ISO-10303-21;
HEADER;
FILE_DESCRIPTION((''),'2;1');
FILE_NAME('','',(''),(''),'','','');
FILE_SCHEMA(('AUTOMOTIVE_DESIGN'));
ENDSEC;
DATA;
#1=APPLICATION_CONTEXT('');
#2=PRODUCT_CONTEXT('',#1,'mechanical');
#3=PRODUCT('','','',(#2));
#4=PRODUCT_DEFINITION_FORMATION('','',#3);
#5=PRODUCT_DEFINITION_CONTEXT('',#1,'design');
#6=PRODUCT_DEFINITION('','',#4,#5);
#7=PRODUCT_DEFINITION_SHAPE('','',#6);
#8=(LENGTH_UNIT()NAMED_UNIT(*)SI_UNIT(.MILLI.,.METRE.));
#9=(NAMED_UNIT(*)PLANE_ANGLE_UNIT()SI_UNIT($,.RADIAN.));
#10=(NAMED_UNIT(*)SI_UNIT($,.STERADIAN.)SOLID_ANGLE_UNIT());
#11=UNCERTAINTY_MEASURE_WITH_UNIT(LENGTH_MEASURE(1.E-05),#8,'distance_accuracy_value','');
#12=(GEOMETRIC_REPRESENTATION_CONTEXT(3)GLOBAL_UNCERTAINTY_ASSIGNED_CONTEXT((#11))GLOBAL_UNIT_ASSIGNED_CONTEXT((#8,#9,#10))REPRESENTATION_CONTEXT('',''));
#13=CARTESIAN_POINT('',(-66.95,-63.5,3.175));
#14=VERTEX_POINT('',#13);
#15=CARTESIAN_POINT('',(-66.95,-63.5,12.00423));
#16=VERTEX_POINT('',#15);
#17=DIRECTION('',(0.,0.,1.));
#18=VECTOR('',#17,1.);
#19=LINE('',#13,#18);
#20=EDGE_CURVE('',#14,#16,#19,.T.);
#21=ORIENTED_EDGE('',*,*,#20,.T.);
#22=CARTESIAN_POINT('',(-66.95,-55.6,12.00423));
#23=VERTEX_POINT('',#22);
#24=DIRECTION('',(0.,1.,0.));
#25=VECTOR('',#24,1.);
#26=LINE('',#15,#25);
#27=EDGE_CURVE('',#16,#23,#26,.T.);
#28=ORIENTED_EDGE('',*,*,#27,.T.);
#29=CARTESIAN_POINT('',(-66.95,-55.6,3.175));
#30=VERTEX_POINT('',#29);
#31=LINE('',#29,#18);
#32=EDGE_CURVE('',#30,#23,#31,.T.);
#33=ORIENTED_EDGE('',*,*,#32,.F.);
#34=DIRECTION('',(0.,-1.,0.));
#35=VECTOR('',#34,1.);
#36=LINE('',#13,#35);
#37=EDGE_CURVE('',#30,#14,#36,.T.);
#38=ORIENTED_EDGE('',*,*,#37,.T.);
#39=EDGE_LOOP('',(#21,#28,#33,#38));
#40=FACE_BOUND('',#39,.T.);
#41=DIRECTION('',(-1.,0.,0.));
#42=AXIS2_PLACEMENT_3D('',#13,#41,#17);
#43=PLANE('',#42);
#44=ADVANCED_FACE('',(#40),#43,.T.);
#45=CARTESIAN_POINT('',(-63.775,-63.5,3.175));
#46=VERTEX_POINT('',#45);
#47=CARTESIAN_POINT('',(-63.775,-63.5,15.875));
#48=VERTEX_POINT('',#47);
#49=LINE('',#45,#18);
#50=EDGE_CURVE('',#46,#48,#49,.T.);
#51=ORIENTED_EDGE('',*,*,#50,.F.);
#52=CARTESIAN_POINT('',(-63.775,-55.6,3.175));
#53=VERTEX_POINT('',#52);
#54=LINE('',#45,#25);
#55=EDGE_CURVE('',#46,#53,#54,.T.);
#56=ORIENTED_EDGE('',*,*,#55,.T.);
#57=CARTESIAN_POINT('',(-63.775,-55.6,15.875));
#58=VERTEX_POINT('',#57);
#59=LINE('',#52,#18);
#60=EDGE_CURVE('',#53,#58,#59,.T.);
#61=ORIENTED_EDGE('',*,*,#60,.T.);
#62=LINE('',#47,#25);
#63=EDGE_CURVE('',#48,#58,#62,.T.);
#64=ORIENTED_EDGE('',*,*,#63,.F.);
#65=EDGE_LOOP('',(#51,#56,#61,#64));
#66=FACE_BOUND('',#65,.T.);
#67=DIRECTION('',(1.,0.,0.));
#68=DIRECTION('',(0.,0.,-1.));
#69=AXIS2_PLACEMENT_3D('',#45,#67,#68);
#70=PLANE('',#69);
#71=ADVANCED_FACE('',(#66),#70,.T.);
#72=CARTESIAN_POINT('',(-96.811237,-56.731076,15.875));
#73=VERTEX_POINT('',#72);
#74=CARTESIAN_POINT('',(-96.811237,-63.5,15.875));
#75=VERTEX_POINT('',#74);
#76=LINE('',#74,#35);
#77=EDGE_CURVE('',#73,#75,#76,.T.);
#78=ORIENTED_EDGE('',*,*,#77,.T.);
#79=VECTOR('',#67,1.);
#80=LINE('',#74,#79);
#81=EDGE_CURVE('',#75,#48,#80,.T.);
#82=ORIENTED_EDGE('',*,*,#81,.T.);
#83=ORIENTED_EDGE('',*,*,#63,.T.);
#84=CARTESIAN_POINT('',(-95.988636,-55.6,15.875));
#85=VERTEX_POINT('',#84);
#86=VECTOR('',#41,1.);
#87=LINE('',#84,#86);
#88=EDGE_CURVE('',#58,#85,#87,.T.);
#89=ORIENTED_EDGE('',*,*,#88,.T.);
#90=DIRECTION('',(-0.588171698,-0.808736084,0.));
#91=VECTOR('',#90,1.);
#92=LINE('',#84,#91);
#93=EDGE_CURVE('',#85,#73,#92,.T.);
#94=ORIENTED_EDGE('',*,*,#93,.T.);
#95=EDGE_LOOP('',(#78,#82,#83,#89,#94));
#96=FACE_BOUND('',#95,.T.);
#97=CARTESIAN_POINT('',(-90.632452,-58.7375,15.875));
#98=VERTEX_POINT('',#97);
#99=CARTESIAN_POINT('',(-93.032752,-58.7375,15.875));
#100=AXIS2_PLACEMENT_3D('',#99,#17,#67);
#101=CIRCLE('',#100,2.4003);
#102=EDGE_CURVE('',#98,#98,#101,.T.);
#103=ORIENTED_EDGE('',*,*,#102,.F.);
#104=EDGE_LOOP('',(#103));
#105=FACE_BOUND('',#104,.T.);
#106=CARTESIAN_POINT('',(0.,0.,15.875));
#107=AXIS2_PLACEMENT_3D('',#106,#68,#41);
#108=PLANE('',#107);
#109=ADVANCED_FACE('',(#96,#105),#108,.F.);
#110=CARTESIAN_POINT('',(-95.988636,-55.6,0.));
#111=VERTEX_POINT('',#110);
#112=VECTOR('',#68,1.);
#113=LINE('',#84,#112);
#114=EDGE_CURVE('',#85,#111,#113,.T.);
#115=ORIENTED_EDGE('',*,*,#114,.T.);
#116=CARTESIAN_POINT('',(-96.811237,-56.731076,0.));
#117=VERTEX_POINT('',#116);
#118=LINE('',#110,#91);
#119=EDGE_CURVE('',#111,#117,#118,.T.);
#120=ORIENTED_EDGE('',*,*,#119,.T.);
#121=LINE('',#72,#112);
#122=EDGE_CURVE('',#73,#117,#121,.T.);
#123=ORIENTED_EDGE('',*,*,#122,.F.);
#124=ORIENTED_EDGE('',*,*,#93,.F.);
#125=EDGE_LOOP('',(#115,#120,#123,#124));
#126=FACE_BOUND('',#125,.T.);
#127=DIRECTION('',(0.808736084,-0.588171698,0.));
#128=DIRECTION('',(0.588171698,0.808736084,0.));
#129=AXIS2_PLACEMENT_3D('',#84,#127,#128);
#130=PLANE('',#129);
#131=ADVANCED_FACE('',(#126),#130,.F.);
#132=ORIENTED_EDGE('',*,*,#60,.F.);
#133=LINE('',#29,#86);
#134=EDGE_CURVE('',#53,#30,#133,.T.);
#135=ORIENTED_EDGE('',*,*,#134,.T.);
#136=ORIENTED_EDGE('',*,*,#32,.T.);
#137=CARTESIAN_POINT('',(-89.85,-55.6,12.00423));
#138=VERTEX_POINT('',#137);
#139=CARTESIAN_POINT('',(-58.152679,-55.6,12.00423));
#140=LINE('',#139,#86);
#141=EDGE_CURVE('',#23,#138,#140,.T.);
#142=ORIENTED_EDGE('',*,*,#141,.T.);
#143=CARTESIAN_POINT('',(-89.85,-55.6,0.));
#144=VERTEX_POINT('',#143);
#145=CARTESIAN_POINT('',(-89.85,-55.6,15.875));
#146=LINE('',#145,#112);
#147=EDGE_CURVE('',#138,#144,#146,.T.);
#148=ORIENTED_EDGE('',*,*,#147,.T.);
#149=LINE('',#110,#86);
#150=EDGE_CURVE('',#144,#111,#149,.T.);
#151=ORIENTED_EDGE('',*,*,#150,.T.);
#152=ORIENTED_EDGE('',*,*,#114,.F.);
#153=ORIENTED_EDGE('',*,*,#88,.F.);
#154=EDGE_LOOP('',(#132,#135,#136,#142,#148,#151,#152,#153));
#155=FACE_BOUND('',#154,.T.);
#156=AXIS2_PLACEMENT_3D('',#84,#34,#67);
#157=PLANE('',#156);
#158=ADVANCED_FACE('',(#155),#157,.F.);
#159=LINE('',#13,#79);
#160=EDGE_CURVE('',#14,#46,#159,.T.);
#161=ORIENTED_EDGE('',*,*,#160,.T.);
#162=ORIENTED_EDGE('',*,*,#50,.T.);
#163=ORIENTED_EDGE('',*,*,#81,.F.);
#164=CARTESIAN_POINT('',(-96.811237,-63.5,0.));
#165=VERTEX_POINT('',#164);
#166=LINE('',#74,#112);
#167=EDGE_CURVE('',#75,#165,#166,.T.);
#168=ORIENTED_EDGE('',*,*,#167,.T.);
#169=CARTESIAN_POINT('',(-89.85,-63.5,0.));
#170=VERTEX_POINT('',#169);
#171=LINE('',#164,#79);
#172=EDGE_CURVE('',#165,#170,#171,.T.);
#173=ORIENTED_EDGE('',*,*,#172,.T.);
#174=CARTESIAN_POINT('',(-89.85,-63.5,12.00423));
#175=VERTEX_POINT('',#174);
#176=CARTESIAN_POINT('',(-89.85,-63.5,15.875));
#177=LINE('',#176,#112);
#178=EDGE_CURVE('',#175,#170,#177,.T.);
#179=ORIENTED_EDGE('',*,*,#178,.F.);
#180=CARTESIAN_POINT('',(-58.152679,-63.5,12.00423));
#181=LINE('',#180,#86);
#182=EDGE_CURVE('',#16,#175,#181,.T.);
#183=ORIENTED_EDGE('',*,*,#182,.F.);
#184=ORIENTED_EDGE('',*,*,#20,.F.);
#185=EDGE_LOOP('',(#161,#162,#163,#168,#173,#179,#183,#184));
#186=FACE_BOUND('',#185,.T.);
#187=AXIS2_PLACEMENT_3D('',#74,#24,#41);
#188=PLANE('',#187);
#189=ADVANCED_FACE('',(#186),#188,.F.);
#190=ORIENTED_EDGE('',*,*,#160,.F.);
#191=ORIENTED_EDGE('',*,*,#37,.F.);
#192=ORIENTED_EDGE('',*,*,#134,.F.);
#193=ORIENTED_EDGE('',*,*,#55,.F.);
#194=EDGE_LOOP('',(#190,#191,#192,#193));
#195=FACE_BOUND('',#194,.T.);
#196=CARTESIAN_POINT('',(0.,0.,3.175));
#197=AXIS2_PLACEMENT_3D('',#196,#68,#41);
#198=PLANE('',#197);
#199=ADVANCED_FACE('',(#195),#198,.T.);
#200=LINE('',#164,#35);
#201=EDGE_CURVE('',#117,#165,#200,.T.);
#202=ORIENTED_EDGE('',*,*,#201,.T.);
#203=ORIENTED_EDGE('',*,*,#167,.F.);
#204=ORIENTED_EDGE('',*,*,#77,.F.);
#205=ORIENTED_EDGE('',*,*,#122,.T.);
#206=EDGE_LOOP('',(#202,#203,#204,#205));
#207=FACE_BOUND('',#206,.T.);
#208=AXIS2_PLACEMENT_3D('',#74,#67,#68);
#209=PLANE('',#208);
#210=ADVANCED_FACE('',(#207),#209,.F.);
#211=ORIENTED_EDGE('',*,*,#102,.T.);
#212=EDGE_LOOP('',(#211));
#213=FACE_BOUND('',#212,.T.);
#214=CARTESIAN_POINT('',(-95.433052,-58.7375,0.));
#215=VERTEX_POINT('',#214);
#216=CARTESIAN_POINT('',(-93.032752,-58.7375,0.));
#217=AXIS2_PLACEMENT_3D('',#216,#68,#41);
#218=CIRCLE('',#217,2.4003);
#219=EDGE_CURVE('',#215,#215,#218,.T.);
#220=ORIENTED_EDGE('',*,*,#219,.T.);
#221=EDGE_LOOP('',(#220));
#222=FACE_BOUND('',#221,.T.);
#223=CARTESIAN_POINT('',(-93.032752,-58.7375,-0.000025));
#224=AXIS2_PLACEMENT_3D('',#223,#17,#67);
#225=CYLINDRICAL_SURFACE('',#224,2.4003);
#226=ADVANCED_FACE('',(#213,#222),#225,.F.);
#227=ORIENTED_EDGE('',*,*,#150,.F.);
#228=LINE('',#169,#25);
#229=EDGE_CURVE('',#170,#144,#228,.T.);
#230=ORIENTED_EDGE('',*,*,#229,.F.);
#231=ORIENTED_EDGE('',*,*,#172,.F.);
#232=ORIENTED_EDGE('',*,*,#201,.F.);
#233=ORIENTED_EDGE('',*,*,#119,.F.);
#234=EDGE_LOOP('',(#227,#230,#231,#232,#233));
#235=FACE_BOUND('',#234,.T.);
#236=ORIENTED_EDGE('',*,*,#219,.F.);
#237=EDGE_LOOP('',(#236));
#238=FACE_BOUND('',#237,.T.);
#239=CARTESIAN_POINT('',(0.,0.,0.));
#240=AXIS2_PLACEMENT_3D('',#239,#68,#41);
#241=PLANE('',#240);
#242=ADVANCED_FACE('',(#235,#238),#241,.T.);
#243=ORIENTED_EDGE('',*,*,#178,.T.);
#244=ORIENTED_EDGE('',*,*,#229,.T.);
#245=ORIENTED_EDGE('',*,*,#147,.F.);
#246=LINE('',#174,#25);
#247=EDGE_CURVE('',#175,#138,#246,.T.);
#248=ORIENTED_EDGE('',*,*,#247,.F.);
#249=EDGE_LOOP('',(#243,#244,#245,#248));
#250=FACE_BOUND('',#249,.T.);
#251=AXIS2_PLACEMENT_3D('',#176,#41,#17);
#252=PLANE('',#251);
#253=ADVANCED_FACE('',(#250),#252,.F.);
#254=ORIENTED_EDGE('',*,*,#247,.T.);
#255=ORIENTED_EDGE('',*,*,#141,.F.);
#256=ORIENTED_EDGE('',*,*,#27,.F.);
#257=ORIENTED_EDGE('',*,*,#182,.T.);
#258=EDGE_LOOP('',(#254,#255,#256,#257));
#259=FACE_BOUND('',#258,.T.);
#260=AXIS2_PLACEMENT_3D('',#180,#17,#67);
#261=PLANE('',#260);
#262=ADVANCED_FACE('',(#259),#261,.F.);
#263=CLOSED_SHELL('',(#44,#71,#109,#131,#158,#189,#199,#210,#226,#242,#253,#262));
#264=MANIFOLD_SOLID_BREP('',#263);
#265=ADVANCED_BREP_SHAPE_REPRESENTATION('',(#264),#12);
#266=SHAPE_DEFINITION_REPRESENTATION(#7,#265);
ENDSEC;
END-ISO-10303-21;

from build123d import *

# Parameters (mm, degrees)
BOSS_EXTRUDE1_DEPTH = 15.875
SKETCH2_W           = 3.87077
SKETCH2_H           = 7.9
BOSS_EXTRUDE2_DEPTH = 22.9
SKETCH3_W           = 3.175
SKETCH3_H           = 7.9
BOSS_EXTRUDE3_DEPTH = 12.7
SKETCH4_R           = 2.4003
CUT_EXTRUDE1_DEPTH  = 16.875


with BuildPart() as part:
    # Sketch1 → Boss-Extrude1 (new body)
    with BuildSketch(Plane.XY):
        Polygon((-96.811237268, -63.5), (-89.85, -63.5), (-89.85, -55.6), (-95.988636364, -55.6), (-96.811237268, -56.731076243), align=None)
    extrude(amount=BOSS_EXTRUDE1_DEPTH)

    # Sketch2 → Boss-Extrude2 (add)
    with BuildSketch(Plane(origin=(-89.85, 0, 0), x_dir=(0, 0, -1), z_dir=(1, 0, 0))):
        with Locations((-13.939615, -59.55)):
            Rectangle(SKETCH2_W, SKETCH2_H)
    extrude(amount=BOSS_EXTRUDE2_DEPTH)

    # Sketch3 → Boss-Extrude3 (add)
    with BuildSketch(Plane.XY.offset(15.875)):
        with Locations((-65.3625, -59.55)):
            Rectangle(SKETCH3_W, SKETCH3_H)
    extrude(amount=-BOSS_EXTRUDE3_DEPTH)

    # Sketch4 → Cut-Extrude1 (cut, through all)
    with BuildSketch(Plane.XY.offset(15.875)):
        with Locations((-93.032751555, -58.7375)):
            Circle(SKETCH4_R)
    extrude(amount=-CUT_EXTRUDE1_DEPTH, mode=Mode.SUBTRACT)


solid = part.part
